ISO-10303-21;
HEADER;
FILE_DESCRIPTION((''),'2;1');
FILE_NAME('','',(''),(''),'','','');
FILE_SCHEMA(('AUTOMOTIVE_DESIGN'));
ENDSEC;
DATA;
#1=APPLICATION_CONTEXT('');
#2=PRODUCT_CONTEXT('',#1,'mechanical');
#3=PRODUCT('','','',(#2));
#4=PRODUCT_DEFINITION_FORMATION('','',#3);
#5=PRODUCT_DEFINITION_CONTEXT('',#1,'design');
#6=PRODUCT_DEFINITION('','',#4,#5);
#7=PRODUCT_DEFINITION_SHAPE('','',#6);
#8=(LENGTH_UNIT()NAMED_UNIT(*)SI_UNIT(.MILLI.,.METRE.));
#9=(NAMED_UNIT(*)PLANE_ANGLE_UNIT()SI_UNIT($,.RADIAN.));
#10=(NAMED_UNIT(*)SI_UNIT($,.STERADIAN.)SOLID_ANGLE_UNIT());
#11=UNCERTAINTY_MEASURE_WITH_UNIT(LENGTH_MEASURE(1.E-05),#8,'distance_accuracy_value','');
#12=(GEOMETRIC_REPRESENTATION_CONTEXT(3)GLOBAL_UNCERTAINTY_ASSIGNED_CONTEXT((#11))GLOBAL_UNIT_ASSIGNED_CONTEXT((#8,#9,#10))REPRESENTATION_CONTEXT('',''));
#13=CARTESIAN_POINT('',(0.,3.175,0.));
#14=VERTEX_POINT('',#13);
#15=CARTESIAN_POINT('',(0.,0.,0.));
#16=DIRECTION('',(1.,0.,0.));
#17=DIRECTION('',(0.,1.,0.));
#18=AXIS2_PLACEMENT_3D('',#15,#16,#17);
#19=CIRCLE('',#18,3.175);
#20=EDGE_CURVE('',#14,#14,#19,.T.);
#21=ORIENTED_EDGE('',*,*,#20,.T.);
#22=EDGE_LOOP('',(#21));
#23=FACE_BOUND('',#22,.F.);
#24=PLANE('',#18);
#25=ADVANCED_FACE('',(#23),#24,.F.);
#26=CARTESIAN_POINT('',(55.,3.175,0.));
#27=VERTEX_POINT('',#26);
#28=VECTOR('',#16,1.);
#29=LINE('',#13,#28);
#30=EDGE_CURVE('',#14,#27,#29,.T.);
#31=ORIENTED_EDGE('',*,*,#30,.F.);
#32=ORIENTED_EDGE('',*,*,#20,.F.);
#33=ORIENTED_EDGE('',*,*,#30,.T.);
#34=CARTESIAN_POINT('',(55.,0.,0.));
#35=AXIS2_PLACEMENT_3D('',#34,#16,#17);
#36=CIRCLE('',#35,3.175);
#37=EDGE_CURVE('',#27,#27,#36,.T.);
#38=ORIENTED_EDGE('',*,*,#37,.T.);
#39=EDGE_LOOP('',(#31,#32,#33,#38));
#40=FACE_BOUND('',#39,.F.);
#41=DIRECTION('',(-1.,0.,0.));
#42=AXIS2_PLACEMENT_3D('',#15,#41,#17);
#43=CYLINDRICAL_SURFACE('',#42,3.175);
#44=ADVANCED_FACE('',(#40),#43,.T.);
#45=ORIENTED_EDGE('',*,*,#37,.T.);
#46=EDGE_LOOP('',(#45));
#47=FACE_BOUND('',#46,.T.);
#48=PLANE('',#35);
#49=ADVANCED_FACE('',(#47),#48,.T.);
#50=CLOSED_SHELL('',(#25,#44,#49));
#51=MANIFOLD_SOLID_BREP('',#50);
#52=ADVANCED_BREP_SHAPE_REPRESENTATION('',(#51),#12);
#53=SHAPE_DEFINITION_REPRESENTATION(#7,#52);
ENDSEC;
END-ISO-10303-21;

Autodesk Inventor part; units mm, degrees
ref_plane "YZ Plane" through (0, 0, 0) normal (1, 0, 0) x (0, 1, 0)
ref_plane "XZ Plane" through (0, 0, 0) normal (0, 1, 0) x (-1, 0, 0)
ref_plane "XY Plane" through (0, 0, 0) normal (0, 0, 1) x (1, 0, 0)
sketch "Sketch1" plane through (0, 0, 0) normal (1, 0, 0) x (0, 1, 0)
  circle A0 centre (0, 0) radius 3.175
  dimension "d0" = 6.35
extrude "Extrusion1" add sketch "Sketch1" along normal blind 55
properties part number "Rb oven housing post" material "Copper"
